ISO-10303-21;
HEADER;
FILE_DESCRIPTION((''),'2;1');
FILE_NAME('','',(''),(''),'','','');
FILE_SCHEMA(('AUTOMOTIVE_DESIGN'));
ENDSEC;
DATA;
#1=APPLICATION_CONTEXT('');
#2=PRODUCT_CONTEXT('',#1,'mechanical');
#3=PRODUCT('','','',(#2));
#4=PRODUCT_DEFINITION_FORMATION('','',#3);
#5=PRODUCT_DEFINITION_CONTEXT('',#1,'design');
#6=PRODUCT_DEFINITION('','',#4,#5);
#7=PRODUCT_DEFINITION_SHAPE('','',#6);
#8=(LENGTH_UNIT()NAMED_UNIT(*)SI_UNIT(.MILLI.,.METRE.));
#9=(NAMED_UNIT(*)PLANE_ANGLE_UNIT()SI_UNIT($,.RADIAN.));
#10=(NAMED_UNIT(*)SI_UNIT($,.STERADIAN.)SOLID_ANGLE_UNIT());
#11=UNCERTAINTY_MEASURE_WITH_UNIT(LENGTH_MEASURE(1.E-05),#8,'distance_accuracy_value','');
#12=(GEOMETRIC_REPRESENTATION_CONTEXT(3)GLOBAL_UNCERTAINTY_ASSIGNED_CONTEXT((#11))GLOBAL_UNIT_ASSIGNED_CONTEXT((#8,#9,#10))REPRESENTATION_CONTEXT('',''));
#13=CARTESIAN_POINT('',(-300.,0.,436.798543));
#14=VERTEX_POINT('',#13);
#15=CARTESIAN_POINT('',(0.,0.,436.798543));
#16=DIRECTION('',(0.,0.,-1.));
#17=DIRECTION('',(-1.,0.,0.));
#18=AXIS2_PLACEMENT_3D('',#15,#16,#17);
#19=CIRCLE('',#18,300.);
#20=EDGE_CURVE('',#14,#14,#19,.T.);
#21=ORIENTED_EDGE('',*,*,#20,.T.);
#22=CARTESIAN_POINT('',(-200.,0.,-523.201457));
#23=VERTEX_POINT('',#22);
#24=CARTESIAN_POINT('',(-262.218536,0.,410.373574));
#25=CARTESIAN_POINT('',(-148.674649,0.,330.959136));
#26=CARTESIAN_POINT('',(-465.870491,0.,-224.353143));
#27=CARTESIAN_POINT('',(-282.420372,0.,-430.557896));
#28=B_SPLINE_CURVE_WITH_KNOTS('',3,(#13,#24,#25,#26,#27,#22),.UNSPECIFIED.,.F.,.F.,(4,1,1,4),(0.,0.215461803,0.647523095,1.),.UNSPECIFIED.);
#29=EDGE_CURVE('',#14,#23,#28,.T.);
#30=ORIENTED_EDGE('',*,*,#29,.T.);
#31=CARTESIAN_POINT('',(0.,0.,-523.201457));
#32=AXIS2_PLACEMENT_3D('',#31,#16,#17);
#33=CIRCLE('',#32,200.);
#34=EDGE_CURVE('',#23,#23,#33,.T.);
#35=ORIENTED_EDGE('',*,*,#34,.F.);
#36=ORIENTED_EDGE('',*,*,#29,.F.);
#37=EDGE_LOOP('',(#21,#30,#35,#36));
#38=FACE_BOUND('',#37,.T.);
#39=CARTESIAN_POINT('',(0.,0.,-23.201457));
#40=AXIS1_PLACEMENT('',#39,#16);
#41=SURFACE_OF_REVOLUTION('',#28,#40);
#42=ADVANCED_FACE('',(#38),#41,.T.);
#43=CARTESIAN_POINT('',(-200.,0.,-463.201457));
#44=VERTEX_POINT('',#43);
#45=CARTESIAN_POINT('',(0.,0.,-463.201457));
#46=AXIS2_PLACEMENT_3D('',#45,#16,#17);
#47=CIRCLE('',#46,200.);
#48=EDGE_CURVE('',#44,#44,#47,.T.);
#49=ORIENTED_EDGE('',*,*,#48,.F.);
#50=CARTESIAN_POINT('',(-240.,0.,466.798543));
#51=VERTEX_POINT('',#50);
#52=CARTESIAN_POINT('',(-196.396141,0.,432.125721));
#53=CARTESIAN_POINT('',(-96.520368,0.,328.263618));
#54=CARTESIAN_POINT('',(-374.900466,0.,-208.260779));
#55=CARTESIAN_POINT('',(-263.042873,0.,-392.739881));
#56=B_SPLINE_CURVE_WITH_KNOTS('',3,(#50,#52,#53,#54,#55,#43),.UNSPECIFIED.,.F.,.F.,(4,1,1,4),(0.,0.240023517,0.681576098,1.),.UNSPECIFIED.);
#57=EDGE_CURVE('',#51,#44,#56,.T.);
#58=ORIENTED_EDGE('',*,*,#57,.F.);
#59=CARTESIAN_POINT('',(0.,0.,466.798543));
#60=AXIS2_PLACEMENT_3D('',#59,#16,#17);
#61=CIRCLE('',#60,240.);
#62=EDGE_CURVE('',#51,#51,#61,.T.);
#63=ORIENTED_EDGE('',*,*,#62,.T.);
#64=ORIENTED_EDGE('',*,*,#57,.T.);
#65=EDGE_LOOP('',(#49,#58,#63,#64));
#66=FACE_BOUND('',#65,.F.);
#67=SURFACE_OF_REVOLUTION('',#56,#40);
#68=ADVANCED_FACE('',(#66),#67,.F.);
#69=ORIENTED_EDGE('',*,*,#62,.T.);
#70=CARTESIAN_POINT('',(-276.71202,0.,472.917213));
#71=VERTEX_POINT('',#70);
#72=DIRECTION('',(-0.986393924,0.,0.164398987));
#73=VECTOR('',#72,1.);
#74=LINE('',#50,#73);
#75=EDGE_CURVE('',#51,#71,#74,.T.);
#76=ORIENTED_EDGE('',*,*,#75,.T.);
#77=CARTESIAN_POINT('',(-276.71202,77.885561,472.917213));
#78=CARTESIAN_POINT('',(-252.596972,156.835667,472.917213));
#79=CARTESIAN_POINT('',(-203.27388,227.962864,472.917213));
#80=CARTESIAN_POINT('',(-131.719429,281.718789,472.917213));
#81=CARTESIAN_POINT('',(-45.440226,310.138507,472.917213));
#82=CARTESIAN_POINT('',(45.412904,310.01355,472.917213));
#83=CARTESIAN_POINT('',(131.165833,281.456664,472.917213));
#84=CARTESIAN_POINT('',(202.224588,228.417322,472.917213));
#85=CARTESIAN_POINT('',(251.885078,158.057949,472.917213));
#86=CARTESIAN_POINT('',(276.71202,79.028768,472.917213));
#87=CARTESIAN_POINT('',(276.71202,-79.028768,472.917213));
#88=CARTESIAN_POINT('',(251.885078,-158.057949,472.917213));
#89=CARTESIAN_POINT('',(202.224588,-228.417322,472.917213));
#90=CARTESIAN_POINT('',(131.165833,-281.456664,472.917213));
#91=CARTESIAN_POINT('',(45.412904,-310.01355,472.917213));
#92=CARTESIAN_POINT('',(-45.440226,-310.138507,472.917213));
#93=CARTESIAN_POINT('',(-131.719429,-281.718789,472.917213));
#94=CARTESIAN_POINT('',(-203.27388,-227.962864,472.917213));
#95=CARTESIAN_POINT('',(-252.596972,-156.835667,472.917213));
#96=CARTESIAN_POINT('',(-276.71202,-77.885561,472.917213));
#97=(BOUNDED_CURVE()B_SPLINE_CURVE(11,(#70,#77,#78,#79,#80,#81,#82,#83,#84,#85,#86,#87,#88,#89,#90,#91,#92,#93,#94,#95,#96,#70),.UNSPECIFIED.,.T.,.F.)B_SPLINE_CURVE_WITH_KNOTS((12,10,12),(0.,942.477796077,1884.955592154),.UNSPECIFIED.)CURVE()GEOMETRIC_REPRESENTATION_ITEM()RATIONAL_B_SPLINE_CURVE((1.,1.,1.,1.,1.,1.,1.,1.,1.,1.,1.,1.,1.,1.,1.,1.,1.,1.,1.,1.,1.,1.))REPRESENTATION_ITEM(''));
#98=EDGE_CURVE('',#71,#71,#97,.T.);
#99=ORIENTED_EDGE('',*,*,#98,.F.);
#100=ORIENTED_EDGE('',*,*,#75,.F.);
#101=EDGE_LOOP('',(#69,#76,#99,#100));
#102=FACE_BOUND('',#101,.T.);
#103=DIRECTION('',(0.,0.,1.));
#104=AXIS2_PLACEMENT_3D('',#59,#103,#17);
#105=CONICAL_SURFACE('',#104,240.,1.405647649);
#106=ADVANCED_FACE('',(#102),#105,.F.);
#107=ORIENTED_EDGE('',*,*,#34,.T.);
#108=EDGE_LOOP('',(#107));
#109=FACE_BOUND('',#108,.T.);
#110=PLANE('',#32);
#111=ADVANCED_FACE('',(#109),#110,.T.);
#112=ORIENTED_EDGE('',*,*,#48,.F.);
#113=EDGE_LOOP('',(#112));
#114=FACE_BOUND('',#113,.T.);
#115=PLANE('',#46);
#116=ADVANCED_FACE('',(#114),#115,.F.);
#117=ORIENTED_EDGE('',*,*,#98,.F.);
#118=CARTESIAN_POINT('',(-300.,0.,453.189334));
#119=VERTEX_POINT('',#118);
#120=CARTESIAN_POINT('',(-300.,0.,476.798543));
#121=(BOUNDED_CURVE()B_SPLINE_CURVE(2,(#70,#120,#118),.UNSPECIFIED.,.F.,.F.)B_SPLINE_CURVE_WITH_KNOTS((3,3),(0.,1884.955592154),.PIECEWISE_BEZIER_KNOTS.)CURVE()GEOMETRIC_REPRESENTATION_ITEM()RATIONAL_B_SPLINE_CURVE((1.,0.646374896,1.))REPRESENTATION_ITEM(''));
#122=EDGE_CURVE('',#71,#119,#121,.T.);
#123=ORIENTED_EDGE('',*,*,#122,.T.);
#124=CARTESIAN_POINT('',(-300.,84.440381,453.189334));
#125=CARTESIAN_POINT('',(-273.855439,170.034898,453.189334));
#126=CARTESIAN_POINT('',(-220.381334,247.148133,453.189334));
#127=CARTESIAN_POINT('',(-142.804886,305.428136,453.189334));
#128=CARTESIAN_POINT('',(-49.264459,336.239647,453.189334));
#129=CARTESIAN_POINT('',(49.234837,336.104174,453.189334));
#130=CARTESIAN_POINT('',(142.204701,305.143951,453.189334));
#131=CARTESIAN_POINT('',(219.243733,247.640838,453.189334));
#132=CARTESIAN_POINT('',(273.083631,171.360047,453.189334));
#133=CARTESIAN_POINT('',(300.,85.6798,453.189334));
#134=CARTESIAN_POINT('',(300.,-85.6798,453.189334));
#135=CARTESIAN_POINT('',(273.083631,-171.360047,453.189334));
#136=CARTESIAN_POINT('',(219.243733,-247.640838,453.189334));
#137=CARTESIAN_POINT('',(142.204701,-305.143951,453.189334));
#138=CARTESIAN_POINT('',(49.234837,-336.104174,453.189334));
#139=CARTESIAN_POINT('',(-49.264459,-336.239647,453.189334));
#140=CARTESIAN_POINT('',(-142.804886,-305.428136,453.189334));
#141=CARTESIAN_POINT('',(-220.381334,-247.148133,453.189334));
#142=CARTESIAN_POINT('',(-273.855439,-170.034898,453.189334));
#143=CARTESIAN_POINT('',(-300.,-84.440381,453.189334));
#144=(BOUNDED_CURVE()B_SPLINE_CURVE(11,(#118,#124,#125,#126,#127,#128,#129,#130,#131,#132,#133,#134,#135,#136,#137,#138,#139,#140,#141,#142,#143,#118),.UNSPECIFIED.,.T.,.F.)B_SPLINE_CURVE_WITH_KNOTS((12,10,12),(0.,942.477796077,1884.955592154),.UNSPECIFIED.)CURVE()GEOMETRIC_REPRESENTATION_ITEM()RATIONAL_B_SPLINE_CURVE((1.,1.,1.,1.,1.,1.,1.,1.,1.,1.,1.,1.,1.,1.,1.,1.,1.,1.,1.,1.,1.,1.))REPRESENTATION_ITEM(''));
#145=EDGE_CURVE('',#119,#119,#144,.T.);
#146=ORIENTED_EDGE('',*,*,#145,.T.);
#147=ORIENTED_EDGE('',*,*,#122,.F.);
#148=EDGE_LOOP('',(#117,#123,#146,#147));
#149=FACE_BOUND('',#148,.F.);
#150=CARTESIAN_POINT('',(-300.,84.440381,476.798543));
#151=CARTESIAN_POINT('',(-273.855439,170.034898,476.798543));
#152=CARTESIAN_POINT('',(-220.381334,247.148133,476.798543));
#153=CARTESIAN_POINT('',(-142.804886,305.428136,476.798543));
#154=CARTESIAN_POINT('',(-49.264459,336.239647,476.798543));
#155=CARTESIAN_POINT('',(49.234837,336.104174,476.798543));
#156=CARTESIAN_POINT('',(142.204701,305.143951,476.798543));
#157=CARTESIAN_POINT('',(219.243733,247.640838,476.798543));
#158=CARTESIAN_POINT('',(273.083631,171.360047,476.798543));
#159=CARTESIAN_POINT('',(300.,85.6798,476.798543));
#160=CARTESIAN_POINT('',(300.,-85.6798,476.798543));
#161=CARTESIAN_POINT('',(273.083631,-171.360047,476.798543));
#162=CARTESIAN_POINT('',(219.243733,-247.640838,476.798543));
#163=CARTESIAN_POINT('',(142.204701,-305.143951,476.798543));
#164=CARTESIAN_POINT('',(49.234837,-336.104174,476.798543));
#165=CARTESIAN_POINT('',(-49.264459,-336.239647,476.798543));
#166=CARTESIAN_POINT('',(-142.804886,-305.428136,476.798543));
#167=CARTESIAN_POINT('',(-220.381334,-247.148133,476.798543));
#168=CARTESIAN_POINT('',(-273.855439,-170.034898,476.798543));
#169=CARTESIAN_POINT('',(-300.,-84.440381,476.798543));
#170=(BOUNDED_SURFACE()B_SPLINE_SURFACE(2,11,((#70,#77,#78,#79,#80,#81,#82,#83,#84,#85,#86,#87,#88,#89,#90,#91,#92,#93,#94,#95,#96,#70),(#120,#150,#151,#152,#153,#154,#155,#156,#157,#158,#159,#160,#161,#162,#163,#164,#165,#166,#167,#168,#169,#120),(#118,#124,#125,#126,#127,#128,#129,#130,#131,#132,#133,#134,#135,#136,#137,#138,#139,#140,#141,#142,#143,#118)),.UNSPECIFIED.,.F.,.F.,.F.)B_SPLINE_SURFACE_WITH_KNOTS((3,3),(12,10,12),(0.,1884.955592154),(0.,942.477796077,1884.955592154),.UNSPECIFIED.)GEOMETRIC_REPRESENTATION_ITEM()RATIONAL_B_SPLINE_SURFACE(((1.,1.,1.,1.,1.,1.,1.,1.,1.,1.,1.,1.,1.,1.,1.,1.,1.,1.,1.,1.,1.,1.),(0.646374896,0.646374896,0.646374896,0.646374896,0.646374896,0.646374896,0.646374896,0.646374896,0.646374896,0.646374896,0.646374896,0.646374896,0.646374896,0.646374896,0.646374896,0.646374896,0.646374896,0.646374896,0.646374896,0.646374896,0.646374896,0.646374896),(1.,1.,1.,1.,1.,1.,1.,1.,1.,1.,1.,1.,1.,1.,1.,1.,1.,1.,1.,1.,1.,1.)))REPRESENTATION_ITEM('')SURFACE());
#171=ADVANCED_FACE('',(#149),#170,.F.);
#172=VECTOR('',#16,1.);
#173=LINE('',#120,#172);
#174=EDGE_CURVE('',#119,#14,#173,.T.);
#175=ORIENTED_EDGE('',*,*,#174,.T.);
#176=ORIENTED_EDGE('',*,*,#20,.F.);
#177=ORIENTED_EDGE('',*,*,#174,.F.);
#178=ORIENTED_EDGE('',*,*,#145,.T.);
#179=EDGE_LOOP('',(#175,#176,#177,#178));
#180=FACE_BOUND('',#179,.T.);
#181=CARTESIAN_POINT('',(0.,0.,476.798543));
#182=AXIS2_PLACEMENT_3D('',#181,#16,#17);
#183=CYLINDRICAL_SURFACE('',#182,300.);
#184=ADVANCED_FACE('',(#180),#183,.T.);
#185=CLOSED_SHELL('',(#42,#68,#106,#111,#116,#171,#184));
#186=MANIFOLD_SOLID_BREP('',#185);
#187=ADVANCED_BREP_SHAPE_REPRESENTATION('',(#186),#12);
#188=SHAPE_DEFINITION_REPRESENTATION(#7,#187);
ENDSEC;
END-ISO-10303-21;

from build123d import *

# Parameters (mm, degrees)
F2_R = 20


with BuildPart() as f1:
    # F0 (on Front) → F1 (revolve)
    with BuildSketch(Plane.XZ):
        with BuildLine():
            Line((-240, 466.798542738), (-300, 476.798542738))
            Line((-300, 476.798542738), (-300, 436.798542738))
            add(Edge.make_bspline(
                [(-300, 436.798542738), (-262.2185359686, 410.373573585), (-148.6746493755, 330.9591364358), (-465.8704913896, -224.3531432487), (-282.4203722429, -430.5578955173), (-200, -523.201457262)],
                knots=[0, 0, 0, 0, 0.2154618029, 0.6475230949, 1, 1, 1, 1], degree=3))
            Line((-200, -523.201457262), (0, -523.201457262))
            Line((0, -523.201457262), (0, -463.201457262))
            Line((0, -463.201457262), (-200, -463.201457262))
            add(Edge.make_bspline(
                [(-240, 466.798542738), (-196.3961405941, 432.1257214979), (-96.5203675588, 328.2636183542), (-374.9004659051, -208.2607791995), (-263.042873483, -392.7398806467), (-200, -463.201457262)],
                knots=[0, 0, 0, 0, 0.240023517, 0.6815760983, 1, 1, 1, 1], degree=3))
        make_face()
    revolve(axis=Axis((0, 0, -23.201457262), (0, 0, -1)))

    # F2
    f2_edges = [f1.edges().sort_by_distance(p)[0] for p in [
        (300, 0, 476.798543),
    ]]
    fillet(f2_edges, radius=F2_R)


solid = f1.part
